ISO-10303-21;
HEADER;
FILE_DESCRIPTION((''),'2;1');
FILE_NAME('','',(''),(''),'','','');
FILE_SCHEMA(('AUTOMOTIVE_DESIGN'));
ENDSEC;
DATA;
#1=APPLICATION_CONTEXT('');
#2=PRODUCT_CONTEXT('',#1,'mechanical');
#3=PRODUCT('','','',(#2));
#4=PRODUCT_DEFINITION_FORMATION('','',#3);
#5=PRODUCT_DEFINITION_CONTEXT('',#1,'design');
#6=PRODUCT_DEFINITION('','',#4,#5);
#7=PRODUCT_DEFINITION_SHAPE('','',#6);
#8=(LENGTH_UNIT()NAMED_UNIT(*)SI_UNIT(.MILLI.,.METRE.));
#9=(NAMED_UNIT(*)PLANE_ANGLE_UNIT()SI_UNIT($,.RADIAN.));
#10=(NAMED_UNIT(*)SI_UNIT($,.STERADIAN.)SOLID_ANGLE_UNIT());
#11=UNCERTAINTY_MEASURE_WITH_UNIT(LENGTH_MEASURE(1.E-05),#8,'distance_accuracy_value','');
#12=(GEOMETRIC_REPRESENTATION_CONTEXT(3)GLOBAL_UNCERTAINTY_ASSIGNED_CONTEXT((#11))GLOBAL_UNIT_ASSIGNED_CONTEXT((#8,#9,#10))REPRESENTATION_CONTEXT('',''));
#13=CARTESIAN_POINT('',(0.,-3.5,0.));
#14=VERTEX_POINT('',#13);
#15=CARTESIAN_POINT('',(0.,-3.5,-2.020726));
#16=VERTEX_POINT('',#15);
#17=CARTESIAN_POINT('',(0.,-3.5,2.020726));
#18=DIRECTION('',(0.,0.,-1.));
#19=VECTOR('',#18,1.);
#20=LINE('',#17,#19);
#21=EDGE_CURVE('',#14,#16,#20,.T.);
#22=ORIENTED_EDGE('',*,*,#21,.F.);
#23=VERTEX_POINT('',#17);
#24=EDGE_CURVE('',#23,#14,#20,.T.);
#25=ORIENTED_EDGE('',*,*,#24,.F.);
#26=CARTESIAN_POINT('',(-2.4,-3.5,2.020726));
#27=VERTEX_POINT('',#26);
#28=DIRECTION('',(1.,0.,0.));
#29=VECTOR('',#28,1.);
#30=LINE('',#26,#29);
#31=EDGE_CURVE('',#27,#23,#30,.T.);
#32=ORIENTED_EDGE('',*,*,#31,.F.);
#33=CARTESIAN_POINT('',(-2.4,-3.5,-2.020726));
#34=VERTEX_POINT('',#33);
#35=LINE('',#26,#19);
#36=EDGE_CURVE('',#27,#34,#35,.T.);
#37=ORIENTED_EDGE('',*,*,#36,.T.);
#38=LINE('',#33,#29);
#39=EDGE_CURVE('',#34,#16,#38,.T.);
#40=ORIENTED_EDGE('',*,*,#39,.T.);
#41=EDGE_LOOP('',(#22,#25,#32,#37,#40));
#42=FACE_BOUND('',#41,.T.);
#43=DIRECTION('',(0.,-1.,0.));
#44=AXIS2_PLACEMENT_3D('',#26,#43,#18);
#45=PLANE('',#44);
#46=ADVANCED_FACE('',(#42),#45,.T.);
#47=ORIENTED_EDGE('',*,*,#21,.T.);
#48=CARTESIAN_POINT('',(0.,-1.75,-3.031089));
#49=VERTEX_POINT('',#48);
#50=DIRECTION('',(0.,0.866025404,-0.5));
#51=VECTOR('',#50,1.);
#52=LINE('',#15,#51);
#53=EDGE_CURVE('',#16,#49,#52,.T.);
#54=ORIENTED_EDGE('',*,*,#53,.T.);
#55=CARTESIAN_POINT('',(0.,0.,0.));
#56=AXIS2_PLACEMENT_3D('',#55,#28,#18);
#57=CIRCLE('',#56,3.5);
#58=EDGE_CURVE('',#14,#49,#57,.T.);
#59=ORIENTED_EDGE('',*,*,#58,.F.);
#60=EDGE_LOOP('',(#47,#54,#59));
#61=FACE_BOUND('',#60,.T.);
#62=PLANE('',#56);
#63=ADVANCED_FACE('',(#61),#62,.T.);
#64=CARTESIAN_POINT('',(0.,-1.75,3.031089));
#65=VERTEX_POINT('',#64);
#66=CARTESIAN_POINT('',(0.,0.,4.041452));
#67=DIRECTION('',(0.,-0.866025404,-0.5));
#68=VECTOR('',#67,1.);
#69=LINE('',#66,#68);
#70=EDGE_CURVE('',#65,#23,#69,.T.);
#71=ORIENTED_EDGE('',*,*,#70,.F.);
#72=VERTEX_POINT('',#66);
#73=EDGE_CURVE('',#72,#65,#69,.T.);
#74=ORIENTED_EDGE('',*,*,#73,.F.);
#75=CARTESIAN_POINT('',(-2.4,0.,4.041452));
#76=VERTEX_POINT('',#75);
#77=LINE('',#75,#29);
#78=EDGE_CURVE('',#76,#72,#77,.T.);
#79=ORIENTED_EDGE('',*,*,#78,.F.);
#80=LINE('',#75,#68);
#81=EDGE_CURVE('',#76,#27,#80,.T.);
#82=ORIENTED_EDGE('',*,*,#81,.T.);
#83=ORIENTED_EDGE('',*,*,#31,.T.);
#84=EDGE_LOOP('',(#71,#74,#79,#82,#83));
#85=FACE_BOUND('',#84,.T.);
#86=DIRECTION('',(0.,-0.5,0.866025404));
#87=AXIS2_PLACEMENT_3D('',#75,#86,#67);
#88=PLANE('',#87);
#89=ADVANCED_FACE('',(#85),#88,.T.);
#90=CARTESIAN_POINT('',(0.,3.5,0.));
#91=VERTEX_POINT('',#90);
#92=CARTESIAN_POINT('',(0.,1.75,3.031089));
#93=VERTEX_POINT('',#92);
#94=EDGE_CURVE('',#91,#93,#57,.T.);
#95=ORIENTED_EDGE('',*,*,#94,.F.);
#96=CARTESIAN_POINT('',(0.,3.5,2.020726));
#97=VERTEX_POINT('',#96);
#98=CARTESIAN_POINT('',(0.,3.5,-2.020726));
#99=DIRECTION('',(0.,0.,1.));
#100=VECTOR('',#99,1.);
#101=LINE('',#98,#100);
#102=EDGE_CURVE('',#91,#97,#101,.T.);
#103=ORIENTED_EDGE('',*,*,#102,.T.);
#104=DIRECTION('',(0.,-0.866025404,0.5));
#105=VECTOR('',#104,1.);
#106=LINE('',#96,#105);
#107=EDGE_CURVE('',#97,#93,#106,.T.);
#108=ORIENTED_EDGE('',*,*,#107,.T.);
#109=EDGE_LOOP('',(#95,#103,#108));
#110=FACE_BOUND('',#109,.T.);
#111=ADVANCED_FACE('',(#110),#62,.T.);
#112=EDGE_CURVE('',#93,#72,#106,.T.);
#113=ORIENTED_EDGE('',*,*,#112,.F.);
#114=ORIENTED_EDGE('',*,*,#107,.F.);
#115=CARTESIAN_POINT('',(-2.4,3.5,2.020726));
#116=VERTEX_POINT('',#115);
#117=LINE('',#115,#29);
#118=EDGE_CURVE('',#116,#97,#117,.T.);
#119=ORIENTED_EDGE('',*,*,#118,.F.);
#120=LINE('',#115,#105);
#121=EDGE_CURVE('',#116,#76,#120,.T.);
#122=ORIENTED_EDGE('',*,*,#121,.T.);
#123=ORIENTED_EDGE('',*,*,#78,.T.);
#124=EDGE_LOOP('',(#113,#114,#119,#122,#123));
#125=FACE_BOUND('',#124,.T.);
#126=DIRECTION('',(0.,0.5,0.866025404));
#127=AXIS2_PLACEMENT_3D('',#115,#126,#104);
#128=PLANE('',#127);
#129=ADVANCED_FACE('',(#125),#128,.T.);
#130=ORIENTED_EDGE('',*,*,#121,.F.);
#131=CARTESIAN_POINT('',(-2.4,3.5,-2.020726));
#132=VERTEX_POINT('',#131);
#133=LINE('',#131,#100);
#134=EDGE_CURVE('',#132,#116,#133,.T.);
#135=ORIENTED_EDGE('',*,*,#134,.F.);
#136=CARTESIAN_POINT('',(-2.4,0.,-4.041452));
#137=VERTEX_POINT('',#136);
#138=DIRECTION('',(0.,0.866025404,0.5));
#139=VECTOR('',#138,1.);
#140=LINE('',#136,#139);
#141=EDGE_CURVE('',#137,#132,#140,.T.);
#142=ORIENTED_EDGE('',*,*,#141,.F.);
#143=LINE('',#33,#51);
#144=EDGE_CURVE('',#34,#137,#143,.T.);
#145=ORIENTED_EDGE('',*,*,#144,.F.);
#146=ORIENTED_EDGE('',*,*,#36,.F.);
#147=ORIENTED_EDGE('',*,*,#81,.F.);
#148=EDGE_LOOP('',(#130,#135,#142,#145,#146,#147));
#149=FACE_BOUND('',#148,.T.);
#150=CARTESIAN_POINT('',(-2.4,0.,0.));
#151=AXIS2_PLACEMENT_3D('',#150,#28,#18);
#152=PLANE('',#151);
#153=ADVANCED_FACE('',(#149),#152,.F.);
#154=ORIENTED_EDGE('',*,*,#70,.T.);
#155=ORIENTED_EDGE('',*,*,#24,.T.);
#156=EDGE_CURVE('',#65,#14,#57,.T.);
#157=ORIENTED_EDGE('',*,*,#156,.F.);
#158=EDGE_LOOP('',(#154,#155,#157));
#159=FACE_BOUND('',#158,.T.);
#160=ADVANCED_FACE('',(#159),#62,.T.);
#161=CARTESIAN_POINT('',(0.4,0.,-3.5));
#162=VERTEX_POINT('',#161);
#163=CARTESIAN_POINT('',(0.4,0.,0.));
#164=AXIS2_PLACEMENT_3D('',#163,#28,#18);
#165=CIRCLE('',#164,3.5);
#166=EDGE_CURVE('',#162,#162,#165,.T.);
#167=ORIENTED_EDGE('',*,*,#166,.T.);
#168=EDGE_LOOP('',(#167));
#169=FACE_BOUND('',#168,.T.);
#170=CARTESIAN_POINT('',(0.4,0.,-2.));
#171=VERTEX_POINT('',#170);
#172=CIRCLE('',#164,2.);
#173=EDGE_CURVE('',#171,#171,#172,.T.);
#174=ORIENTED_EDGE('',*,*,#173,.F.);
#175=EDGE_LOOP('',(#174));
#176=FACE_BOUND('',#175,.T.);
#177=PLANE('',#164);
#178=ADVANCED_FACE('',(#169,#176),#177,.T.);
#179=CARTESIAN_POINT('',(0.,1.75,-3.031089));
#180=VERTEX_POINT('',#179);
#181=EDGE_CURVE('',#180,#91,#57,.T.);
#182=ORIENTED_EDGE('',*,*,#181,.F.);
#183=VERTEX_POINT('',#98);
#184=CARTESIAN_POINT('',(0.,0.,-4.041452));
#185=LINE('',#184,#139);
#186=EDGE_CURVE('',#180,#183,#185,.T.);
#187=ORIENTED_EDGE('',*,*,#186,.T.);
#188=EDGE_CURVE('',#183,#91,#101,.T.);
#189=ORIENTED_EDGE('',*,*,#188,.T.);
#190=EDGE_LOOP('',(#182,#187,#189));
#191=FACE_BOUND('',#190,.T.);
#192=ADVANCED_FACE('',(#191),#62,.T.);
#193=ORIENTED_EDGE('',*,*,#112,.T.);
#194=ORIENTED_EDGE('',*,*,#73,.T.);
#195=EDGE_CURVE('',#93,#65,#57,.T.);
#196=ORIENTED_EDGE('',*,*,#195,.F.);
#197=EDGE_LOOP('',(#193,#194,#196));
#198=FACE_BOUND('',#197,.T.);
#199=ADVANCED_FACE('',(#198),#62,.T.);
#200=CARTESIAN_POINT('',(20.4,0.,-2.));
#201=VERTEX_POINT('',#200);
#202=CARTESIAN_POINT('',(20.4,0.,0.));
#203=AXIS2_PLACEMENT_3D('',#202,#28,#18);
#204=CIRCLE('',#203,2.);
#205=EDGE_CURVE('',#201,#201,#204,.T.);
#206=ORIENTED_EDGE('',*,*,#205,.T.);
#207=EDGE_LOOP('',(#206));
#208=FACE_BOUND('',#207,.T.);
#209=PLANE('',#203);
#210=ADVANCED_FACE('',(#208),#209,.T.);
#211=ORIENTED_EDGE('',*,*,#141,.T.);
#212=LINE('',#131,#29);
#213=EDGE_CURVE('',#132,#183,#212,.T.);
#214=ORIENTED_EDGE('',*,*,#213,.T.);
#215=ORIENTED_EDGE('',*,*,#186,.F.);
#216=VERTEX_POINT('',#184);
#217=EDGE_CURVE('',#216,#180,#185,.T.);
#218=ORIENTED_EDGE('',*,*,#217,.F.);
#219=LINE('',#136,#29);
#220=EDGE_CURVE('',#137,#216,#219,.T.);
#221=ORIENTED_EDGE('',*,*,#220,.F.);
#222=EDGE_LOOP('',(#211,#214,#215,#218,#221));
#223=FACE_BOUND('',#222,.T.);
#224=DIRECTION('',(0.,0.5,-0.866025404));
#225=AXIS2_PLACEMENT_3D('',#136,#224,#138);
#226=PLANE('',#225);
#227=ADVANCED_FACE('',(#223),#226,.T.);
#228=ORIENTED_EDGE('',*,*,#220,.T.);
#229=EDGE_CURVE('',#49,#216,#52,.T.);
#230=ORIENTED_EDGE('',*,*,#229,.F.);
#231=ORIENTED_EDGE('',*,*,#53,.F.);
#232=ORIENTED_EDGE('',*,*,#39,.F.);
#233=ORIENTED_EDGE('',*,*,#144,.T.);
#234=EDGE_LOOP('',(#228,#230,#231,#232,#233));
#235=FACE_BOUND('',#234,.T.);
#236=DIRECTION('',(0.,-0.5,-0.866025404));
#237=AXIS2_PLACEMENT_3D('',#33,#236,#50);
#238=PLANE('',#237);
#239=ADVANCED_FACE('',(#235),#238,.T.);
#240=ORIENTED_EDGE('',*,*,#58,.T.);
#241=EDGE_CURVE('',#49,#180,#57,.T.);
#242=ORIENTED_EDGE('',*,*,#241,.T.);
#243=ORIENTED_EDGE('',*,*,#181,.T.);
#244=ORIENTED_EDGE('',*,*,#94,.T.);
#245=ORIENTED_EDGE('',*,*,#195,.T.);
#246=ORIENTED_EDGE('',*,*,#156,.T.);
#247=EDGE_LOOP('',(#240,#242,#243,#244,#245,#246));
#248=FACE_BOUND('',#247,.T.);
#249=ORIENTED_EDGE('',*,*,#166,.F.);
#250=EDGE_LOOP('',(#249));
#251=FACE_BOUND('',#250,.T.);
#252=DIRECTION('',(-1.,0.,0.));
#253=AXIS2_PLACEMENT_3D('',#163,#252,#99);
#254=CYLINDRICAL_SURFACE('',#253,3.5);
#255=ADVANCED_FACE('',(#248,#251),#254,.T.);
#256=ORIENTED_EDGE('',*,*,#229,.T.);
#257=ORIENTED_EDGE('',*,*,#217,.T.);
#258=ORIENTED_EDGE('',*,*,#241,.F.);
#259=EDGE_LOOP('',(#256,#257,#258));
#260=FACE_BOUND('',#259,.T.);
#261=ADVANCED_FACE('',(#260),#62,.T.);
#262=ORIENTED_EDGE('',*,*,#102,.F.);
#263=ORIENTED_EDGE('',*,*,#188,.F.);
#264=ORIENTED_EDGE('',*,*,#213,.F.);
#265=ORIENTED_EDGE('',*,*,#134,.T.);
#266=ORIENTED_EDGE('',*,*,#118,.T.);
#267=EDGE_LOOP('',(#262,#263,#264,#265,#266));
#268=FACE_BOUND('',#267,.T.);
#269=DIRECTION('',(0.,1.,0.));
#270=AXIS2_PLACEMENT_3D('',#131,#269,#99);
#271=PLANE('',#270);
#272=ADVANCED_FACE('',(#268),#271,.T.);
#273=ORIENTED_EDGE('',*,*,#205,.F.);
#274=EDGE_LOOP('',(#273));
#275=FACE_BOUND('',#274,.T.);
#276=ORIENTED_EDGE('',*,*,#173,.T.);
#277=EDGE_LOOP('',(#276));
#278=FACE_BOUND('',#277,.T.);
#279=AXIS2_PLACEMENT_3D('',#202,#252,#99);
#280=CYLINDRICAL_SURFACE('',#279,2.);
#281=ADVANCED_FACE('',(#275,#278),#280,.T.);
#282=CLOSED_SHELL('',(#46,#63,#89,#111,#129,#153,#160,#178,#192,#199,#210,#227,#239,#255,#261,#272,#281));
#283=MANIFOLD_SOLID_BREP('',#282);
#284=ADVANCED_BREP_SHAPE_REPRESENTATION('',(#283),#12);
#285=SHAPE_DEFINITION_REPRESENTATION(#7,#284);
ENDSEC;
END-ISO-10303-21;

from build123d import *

# Parameters (mm, degrees)
BOSS_EXTRUDE1_DEPTH = 2.4
SKETCH2_R           = 3.5
BOSS_EXTRUDE2_DEPTH = 0.4
SKETCH3_R           = 2
BOSS_EXTRUDE3_DEPTH = 20


with BuildPart() as part:
    # Sketch1 → Boss-Extrude1 (new body)
    with BuildSketch(Plane(origin=(0, 0, 0), x_dir=(0, 0, -1), z_dir=(1, 0, 0))):
        Polygon((-4.041451884, 0), (-2.020725942, -3.5), (2.020725942, -3.5), (4.041451884, 0), (2.020725942, 3.5), (-2.020725942, 3.5), align=None)
    extrude(amount=-BOSS_EXTRUDE1_DEPTH)

    # Sketch2 → Boss-Extrude2 (add)
    with BuildSketch(Plane(origin=(0, 0, 0), x_dir=(0, 0, -1), z_dir=(1, 0, 0))):
        with Locations(Location((0, 0, 0), (0, 0, 150))):
            Circle(SKETCH2_R)
    extrude(amount=BOSS_EXTRUDE2_DEPTH)

    # Sketch3 → Boss-Extrude3 (add)
    with BuildSketch(Plane(origin=(0.4, 0, 0), x_dir=(0, 0, -1), z_dir=(1, 0, 0))):
        Circle(SKETCH3_R)
    extrude(amount=BOSS_EXTRUDE3_DEPTH)


solid = part.part
